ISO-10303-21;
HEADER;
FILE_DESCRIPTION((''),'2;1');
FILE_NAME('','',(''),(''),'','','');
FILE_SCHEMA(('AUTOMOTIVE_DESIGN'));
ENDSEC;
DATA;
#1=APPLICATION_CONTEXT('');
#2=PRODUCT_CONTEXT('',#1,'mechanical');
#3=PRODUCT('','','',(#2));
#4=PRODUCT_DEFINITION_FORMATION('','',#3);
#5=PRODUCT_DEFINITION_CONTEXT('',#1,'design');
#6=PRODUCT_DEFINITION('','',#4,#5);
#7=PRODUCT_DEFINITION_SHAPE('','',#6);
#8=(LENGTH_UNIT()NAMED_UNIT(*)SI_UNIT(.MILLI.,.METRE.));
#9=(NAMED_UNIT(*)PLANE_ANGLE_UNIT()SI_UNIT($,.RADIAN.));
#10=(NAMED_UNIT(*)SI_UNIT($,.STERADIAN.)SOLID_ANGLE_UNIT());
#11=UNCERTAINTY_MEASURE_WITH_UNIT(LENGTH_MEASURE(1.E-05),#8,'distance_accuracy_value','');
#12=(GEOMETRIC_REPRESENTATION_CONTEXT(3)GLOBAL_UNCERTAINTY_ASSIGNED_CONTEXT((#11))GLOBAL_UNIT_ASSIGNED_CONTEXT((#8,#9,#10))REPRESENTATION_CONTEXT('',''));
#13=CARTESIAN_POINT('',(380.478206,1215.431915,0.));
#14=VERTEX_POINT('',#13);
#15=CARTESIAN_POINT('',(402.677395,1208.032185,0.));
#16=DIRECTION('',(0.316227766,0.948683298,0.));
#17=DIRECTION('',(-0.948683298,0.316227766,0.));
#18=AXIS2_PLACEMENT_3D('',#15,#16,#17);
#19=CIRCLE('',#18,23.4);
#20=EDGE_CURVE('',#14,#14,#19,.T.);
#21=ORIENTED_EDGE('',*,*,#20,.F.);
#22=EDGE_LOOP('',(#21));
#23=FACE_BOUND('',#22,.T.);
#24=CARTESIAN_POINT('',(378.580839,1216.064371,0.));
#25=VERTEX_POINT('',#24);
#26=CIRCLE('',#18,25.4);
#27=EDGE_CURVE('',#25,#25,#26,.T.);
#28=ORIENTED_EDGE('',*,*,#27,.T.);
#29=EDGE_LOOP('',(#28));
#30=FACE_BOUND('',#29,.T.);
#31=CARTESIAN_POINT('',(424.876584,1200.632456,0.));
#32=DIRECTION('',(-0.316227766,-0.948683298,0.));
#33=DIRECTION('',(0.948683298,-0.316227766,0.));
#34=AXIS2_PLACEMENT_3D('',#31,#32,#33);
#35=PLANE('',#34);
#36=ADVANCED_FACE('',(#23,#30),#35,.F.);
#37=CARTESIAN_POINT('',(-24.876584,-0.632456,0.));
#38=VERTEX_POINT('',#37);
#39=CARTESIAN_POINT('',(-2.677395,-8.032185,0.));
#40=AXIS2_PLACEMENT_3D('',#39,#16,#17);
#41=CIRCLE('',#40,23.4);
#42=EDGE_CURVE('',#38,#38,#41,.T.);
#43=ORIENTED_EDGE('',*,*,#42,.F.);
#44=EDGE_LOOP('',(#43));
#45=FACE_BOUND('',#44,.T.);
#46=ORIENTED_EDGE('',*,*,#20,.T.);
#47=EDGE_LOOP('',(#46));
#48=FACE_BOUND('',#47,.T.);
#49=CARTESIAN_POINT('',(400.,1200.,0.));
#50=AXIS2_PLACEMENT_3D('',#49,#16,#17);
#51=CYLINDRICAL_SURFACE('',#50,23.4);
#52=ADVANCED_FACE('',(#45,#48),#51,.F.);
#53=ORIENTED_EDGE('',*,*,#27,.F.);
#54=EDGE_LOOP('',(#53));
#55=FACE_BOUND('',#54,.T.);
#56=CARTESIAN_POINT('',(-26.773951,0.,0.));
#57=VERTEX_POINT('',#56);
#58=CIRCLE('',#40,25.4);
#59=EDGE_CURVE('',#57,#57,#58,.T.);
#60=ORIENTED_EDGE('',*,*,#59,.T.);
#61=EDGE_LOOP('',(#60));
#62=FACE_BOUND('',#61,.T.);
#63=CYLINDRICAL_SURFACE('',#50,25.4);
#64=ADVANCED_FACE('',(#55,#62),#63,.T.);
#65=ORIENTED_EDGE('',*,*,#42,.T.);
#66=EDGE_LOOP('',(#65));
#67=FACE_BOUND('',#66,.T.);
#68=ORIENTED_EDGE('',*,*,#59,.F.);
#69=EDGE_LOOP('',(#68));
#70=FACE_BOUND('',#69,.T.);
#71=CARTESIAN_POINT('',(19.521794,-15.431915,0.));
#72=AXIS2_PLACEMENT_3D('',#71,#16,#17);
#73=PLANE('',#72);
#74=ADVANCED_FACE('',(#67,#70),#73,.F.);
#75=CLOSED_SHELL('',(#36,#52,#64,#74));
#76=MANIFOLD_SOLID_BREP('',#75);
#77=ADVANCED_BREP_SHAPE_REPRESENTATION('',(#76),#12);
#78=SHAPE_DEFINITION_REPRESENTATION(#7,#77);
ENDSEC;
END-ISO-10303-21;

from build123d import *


with BuildPart() as part:
    # Croquis1 → Revolución1 (revolve)
    with BuildSketch(Plane.XY):
        Polygon((426.773950856, 1200), (21.419160685, -16.064370514), (19.521794089, -15.431914982), (424.87658426, 1200.632455532), align=None)
    revolve(axis=Axis((400, 1200, 0), (-0.316227766, -0.948683298, 0)))


solid = part.part
